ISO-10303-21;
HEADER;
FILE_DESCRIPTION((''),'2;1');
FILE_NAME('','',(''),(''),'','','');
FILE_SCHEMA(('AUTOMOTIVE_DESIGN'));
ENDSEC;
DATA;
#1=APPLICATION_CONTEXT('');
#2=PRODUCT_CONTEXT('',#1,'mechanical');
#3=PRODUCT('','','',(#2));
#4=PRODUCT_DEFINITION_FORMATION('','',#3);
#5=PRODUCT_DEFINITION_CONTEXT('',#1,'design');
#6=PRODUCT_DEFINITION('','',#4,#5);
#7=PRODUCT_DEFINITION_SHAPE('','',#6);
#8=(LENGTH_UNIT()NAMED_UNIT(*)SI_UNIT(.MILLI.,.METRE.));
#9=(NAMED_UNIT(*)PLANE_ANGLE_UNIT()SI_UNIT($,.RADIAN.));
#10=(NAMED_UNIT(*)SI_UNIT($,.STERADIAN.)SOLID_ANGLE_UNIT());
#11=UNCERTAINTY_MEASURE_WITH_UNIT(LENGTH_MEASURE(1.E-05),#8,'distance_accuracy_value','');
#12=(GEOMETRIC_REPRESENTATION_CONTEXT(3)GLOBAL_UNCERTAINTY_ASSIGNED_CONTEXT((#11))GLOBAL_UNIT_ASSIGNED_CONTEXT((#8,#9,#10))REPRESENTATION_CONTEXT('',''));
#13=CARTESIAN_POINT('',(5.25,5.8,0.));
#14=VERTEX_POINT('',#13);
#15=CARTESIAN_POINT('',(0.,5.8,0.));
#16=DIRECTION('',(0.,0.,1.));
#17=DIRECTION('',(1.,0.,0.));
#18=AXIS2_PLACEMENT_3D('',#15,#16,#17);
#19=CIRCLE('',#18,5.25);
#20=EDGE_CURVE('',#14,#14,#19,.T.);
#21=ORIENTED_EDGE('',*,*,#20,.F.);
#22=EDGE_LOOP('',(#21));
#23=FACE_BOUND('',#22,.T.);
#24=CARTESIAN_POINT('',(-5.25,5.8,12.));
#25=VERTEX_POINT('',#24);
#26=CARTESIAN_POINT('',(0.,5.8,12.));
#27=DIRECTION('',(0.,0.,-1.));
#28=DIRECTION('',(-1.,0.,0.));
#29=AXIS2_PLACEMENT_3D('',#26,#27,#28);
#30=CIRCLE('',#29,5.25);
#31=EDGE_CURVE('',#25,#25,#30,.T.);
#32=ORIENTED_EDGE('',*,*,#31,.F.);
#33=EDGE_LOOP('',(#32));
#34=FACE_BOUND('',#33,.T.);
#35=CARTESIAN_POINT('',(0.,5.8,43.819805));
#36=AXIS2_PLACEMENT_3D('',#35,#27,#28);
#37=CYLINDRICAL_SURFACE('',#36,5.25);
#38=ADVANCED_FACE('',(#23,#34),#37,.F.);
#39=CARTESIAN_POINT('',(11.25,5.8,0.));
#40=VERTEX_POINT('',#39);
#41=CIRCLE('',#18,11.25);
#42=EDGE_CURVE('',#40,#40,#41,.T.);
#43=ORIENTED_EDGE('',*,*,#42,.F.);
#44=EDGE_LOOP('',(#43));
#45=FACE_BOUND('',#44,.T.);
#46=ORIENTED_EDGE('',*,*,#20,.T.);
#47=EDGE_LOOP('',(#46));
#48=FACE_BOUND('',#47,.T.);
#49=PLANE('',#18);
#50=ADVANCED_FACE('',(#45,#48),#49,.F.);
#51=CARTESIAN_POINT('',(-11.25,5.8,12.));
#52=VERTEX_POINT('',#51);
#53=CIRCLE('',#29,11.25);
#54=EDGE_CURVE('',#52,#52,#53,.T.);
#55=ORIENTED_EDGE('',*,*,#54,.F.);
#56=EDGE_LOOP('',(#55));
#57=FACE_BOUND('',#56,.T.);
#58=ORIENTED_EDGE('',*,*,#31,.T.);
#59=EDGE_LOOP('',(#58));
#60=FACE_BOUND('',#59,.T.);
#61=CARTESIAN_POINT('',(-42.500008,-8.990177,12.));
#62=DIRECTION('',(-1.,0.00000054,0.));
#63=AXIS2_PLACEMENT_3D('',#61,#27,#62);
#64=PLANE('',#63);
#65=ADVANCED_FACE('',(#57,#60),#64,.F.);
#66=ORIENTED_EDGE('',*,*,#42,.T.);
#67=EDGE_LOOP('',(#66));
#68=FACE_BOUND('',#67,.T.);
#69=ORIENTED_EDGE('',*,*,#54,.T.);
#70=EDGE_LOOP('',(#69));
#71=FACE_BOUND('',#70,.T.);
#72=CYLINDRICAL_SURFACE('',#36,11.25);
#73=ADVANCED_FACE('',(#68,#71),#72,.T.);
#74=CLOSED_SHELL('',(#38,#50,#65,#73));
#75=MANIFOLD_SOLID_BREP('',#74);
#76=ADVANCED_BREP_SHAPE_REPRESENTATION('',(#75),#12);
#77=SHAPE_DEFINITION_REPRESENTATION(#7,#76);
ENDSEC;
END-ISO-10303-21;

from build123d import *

# Parameters (mm, degrees)
SKETCH_1_R      = 11.25
SKETCH_1_R_2    = 5.25
EXTRUDE_1_DEPTH = 12


with BuildPart() as part:
    # Эскиз1 → Бобышка-Вытянуть1 (new body)
    with BuildSketch(Plane.XY):
        with Locations((0, 5.8)):
            Circle(SKETCH_1_R)
        with Locations((0, 5.8)):
            Circle(SKETCH_1_R_2, mode=Mode.SUBTRACT)
    extrude(amount=EXTRUDE_1_DEPTH)


solid = part.part
